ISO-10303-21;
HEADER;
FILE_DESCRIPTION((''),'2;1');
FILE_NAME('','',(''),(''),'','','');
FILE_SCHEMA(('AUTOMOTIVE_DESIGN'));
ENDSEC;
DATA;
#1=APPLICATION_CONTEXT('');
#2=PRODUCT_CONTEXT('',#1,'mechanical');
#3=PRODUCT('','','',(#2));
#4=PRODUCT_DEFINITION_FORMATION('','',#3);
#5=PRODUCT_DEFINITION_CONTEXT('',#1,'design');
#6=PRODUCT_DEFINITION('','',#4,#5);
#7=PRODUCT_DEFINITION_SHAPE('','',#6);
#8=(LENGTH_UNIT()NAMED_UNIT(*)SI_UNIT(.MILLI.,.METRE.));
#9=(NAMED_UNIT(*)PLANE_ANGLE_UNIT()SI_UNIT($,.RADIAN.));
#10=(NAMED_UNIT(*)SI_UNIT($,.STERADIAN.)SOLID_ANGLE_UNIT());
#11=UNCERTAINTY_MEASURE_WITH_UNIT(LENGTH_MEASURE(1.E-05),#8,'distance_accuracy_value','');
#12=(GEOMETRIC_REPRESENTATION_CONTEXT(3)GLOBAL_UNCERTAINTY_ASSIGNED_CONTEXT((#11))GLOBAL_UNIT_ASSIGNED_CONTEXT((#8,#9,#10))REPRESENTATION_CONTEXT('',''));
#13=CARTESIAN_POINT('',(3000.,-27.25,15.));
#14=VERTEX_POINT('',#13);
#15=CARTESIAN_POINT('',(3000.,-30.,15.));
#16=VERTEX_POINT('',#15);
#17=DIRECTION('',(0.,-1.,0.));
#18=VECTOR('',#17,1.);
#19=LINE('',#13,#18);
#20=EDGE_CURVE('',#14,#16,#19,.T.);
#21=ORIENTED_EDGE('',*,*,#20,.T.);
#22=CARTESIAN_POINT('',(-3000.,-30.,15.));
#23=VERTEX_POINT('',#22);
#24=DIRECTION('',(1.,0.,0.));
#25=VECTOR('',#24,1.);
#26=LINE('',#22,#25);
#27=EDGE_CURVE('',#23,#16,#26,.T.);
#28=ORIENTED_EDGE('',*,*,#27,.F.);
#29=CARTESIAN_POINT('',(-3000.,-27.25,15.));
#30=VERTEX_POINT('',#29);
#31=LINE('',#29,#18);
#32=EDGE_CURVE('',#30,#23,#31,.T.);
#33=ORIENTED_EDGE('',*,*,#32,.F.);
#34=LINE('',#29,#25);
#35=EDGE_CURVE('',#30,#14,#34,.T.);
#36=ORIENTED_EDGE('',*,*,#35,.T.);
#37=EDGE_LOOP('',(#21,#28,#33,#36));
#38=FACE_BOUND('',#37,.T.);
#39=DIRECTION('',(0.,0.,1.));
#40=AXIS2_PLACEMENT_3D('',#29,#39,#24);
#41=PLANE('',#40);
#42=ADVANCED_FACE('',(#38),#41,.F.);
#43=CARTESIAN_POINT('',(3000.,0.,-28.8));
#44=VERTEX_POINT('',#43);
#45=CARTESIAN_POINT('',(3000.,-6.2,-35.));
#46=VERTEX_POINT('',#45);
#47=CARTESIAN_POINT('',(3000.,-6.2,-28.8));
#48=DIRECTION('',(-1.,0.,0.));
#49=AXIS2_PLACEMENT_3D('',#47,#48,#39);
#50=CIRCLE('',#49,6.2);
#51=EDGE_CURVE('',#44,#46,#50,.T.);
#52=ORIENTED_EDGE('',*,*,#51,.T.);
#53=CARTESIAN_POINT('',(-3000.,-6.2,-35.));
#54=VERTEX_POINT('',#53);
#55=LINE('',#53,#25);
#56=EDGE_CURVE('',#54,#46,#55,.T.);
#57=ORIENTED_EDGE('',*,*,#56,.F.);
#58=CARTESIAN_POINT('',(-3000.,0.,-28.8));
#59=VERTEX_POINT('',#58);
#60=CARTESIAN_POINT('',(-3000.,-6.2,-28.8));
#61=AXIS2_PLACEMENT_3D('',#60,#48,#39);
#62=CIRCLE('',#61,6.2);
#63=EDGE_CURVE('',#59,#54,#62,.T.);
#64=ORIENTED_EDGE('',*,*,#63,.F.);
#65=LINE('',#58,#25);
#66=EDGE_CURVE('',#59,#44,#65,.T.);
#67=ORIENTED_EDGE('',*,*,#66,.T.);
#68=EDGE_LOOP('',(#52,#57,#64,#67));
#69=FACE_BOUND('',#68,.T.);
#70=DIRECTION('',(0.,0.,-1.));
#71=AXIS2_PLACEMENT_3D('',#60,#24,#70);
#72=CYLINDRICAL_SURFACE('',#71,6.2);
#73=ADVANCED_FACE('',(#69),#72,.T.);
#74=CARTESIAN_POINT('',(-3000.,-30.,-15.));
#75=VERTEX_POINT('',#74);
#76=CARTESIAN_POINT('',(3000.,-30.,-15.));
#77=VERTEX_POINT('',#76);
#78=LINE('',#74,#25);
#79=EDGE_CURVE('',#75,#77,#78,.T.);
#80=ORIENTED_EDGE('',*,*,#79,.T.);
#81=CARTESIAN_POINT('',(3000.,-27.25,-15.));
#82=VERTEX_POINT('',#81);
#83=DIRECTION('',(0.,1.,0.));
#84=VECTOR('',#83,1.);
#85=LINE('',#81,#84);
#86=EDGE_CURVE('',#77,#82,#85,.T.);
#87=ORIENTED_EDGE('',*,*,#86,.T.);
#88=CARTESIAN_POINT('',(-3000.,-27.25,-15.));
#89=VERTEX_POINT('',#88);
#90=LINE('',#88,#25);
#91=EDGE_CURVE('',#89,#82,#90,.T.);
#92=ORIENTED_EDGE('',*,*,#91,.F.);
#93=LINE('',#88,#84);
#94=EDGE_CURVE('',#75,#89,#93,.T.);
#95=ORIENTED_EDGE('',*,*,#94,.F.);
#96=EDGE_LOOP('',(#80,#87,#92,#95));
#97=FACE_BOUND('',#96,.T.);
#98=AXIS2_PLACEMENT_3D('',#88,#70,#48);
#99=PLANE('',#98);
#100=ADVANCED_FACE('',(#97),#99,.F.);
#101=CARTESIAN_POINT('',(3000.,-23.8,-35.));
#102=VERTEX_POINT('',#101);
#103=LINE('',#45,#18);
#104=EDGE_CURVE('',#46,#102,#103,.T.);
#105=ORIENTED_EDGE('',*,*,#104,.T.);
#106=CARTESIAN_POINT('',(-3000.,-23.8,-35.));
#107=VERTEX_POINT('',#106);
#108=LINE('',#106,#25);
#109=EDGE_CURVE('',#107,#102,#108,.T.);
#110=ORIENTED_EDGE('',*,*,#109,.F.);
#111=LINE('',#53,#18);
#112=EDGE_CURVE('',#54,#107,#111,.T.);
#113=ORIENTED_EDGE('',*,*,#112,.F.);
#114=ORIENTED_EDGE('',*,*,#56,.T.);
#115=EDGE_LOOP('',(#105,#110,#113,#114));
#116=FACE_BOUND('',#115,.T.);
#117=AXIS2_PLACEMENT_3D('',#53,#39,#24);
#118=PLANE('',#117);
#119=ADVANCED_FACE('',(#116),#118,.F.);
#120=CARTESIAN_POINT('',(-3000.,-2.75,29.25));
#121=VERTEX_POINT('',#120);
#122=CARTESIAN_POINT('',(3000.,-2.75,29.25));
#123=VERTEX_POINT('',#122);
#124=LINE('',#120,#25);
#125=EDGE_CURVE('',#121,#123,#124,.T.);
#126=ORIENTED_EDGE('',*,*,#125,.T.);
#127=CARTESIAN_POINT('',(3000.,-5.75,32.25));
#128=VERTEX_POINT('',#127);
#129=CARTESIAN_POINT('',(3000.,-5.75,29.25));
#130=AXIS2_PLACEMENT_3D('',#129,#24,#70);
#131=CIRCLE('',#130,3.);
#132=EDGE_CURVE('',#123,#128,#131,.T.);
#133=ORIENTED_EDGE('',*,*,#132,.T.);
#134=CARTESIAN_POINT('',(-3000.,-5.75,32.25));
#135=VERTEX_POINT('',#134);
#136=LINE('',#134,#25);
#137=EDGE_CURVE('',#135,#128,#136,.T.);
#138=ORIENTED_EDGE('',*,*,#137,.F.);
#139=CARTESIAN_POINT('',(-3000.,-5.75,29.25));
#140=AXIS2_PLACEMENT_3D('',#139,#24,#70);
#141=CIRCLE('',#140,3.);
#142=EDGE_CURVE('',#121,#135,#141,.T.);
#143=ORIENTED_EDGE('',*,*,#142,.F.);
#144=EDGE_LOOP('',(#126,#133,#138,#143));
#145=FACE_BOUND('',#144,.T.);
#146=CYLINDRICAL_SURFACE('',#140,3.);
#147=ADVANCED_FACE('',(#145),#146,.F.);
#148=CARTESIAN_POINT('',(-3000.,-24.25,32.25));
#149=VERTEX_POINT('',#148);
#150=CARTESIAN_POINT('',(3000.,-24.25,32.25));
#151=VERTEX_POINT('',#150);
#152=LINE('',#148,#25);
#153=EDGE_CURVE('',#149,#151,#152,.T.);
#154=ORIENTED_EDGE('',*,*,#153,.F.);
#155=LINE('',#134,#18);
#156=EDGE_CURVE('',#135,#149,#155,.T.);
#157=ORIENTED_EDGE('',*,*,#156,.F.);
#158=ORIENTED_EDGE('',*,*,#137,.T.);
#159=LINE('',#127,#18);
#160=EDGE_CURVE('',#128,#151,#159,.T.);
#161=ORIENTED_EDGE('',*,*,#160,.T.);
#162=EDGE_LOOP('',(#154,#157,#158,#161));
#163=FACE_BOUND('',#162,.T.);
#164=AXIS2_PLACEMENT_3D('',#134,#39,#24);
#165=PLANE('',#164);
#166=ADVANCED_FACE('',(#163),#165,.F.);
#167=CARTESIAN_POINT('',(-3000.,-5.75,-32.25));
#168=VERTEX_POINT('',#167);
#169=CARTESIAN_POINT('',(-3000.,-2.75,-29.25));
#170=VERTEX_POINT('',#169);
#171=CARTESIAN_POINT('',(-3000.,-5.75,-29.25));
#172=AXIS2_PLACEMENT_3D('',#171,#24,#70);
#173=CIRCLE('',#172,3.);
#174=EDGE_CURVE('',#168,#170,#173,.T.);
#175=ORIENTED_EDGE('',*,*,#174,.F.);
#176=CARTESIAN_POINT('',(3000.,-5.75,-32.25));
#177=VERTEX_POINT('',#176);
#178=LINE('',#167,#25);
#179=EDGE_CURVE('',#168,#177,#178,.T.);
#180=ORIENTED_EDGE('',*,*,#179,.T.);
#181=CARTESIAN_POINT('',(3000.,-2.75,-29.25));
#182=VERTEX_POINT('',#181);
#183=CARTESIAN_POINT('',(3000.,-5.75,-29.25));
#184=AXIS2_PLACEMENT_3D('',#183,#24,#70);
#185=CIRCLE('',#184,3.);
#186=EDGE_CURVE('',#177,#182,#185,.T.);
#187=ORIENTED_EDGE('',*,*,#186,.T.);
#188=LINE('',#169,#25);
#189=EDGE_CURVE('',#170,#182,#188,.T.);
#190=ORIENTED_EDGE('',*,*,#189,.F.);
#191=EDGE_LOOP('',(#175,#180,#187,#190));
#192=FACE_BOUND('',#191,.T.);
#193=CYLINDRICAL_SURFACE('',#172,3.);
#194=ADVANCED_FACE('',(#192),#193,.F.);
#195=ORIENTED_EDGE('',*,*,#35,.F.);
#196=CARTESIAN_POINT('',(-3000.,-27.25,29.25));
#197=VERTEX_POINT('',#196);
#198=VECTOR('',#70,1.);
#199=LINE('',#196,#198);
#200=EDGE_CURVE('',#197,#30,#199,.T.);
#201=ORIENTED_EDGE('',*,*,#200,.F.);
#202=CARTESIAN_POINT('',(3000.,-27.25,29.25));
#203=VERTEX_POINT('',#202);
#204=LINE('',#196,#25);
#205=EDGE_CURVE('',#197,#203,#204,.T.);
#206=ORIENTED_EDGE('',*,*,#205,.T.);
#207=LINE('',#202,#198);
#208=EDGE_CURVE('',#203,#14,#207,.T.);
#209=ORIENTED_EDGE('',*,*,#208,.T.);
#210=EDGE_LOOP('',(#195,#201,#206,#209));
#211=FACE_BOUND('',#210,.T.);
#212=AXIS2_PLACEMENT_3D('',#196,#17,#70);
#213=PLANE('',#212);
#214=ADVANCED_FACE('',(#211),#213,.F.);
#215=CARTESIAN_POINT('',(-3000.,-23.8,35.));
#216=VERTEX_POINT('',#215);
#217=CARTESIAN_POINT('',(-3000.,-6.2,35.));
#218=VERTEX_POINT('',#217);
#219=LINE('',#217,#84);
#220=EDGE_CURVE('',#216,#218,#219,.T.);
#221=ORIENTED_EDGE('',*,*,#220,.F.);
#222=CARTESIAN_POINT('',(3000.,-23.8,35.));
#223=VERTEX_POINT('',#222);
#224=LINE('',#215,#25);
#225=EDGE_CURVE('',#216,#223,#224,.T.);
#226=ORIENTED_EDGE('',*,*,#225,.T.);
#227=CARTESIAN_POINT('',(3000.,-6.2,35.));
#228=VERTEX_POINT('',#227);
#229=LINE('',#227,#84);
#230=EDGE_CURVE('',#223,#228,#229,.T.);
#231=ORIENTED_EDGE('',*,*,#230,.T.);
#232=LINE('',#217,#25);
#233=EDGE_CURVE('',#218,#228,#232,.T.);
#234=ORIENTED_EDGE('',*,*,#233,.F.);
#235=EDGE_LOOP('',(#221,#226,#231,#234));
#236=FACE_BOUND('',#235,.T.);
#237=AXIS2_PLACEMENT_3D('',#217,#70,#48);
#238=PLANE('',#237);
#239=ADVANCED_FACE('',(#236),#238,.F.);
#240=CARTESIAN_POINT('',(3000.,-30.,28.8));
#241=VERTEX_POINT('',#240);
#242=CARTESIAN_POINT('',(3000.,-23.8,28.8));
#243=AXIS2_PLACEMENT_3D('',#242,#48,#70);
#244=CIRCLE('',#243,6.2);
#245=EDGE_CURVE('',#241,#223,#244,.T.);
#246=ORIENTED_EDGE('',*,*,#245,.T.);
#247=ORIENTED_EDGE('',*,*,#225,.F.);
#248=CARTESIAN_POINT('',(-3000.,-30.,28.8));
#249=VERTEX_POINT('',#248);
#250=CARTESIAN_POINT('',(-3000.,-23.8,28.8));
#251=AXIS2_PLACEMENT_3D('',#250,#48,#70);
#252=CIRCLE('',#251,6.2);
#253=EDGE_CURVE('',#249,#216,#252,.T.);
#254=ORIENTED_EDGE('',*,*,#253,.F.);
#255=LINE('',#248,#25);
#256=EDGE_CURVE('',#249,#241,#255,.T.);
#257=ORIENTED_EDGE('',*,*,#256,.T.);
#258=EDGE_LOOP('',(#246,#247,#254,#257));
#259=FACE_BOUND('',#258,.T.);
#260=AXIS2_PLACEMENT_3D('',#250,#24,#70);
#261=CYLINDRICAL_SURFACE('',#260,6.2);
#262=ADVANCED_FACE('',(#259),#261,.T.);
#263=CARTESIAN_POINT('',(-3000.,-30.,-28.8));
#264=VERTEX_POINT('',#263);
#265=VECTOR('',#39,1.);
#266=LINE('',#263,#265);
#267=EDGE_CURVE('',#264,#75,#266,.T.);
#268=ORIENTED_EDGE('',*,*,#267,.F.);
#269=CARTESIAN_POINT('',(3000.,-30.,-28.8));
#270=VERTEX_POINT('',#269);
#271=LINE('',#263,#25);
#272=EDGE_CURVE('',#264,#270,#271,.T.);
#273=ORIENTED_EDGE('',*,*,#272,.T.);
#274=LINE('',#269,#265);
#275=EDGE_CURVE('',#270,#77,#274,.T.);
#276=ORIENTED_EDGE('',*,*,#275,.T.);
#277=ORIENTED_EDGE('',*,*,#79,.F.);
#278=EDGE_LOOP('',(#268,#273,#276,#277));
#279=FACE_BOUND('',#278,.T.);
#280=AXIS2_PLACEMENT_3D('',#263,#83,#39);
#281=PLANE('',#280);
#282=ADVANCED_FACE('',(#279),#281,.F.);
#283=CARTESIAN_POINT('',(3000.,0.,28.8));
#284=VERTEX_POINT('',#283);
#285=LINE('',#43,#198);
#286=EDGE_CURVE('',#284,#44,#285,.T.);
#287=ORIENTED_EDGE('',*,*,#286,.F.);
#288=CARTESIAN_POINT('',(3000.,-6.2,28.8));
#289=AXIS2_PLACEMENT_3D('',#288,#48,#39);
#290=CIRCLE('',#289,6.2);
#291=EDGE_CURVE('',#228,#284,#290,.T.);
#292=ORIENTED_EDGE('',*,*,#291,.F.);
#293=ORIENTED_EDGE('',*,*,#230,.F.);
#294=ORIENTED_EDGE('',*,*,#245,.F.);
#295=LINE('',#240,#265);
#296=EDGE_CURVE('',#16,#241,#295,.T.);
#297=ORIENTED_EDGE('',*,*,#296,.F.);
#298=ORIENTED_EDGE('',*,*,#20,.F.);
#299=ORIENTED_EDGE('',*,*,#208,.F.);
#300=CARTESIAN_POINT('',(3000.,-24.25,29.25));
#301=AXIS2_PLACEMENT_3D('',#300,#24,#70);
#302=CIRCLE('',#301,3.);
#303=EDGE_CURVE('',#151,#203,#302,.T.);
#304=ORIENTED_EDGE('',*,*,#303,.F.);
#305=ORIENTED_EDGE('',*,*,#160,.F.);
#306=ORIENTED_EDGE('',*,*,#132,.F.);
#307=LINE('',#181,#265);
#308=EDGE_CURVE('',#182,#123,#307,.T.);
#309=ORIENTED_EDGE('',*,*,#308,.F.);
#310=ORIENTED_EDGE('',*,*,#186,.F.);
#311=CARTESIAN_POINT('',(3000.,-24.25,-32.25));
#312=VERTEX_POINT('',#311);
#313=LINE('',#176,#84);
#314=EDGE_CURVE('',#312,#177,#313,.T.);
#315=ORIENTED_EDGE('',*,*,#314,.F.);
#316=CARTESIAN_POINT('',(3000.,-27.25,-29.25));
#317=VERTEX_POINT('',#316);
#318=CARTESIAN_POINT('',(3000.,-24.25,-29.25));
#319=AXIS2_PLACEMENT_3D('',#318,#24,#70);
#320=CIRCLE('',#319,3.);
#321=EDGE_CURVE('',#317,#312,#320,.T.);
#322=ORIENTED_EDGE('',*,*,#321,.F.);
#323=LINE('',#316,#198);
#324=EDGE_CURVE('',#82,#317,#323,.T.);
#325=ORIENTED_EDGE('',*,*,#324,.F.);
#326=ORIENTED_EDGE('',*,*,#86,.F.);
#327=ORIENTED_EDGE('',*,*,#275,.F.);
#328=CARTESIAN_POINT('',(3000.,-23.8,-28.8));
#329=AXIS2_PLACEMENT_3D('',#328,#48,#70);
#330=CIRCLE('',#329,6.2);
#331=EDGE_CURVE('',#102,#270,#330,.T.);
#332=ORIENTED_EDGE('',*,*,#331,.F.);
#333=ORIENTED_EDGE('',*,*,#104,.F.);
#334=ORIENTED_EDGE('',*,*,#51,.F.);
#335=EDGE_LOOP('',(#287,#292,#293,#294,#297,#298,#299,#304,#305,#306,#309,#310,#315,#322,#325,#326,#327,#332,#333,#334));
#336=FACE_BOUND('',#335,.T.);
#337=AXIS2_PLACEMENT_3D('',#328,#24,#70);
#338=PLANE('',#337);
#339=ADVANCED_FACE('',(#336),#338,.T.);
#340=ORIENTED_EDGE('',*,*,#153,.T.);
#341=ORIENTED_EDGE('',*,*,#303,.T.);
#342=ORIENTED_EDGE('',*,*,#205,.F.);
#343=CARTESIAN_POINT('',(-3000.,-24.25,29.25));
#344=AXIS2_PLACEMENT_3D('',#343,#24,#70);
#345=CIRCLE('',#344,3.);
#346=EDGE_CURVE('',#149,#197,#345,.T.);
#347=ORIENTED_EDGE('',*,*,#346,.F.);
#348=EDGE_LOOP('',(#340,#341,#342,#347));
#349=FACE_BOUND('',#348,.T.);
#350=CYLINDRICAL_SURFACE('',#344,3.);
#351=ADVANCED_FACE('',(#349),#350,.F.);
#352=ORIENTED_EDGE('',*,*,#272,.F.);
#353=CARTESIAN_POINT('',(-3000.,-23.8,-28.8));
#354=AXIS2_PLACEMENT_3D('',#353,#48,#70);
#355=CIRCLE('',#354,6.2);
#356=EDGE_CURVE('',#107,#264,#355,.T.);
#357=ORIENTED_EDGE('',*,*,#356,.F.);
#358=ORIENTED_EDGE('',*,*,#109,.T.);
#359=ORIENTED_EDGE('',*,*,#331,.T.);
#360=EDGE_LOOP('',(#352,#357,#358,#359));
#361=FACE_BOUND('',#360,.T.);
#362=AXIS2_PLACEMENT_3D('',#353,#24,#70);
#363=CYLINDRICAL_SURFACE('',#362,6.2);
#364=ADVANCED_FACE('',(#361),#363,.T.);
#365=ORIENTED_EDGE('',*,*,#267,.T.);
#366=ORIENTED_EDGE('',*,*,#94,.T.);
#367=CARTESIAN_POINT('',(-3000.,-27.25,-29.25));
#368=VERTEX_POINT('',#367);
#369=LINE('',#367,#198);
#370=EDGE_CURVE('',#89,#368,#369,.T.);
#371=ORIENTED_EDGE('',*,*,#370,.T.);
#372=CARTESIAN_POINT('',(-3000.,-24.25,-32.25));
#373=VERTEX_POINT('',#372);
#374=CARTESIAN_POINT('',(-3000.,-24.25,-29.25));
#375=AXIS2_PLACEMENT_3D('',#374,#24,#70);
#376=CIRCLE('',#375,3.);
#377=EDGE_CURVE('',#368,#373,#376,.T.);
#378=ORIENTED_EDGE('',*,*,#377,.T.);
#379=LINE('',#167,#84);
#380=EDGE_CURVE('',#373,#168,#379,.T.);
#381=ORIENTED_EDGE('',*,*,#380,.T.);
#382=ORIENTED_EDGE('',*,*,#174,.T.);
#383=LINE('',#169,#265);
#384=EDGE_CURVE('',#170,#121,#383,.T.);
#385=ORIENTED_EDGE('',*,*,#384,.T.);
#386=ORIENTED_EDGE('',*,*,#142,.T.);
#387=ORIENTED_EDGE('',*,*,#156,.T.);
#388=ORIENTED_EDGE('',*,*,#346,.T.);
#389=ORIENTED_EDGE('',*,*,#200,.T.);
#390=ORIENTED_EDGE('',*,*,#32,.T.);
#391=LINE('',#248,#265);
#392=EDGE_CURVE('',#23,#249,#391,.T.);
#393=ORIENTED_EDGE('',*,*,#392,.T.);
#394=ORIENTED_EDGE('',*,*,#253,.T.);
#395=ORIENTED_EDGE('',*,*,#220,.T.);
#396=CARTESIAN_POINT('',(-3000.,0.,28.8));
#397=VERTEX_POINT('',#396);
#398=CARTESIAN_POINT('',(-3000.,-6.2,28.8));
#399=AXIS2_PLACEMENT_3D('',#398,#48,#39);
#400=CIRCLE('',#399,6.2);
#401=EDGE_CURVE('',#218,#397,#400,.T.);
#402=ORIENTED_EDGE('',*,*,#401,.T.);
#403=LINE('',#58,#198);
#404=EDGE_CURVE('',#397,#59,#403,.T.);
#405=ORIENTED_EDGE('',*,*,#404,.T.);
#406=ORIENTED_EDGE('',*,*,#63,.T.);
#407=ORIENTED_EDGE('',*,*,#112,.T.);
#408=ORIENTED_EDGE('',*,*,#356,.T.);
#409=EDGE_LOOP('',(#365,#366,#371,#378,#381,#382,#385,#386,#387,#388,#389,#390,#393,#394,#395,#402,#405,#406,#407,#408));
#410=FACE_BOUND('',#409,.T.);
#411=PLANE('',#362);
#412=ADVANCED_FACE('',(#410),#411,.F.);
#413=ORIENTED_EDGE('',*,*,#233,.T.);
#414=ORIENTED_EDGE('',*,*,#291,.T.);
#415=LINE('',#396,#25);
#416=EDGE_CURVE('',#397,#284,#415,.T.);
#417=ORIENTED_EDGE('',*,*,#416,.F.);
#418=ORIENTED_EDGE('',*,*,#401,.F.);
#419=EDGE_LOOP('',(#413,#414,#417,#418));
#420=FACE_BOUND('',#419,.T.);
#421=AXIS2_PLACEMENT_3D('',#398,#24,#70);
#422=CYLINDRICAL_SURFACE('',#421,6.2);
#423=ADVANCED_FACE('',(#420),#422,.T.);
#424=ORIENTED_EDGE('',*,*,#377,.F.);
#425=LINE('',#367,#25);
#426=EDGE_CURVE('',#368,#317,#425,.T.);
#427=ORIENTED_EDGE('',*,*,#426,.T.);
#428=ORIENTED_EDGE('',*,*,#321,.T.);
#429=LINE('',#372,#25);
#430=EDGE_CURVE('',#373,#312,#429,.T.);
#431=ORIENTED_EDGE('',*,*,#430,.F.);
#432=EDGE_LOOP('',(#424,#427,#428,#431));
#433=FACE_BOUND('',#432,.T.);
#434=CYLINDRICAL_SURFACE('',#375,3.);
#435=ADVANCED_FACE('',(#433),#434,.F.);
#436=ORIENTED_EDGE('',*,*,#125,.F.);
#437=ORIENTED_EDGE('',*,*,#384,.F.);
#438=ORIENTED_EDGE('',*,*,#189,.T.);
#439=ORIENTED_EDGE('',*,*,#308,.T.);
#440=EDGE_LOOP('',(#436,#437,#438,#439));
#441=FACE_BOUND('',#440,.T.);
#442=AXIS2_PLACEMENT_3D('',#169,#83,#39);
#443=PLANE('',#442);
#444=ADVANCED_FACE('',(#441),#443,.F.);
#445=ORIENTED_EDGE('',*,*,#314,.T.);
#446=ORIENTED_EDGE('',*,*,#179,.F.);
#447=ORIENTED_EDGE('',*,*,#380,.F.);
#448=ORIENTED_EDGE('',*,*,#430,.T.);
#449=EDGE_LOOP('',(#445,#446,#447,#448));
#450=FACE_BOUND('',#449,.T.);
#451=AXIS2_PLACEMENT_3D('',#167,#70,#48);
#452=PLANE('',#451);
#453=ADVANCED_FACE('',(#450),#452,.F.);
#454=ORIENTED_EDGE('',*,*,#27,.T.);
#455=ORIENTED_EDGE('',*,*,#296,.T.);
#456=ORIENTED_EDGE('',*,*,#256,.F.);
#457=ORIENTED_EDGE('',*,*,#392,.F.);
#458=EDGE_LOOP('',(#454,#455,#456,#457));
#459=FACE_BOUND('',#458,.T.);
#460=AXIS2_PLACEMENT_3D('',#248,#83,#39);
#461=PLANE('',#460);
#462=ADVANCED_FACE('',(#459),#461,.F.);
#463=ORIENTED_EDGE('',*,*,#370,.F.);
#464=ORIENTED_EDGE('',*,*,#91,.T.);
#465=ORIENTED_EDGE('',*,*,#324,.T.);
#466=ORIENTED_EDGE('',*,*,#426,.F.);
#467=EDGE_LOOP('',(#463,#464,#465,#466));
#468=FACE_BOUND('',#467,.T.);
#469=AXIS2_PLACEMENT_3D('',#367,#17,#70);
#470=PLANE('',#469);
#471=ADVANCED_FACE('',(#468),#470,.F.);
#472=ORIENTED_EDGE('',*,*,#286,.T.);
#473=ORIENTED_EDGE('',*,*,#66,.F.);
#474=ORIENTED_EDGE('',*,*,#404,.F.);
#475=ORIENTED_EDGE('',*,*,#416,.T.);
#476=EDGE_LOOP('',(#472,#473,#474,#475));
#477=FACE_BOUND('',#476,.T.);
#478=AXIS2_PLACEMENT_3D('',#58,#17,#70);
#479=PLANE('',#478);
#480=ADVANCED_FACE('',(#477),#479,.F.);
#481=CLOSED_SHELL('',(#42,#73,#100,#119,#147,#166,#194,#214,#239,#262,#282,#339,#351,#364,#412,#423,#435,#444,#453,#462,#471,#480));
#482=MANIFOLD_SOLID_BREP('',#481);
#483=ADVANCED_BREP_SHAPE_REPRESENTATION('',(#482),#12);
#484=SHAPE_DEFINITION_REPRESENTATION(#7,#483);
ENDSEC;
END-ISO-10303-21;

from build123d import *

# Parameters (mm, degrees)
CANAL_C_3_X_5_1_DEPTH = 6000


with BuildPart() as part:
    # Sketch110 → Canal c 3 X 5(1) (new body)
    with BuildSketch(Plane(origin=(3000, 0, 0), x_dir=(0, -1, 0), z_dir=(-1, 0, 0))):
        with BuildLine():
            Line((0, -28.8), (0, 28.8))
            ThreePointArc((0, 28.8), (1.815937957, 33.184062043), (6.2, 35))
            Line((6.2, 35), (23.8, 35))
            ThreePointArc((23.8, 35), (28.184062043, 33.184062043), (30, 28.8))
            Line((30, 28.8), (30, 15))
            Line((30, 15), (27.25, 15))
            Line((27.25, 15), (27.25, 29.25))
            ThreePointArc((27.25, 29.25), (26.371320344, 31.371320344), (24.25, 32.25))
            Line((24.25, 32.25), (5.75, 32.25))
            ThreePointArc((5.75, 32.25), (3.628679656, 31.371320344), (2.75, 29.25))
            Line((2.75, 29.25), (2.75, -29.25))
            ThreePointArc((2.75, -29.25), (3.628679656, -31.371320344), (5.75, -32.25))
            Line((5.75, -32.25), (24.25, -32.25))
            ThreePointArc((24.25, -32.25), (26.371320344, -31.371320344), (27.25, -29.25))
            Line((27.25, -29.25), (27.25, -15))
            Line((27.25, -15), (30, -15))
            Line((30, -15), (30, -28.8))
            ThreePointArc((30, -28.8), (28.184062043, -33.184062043), (23.8, -35))
            Line((23.8, -35), (6.2, -35))
            ThreePointArc((6.2, -35), (1.815937957, -33.184062043), (0, -28.8))
        make_face()
    extrude(amount=CANAL_C_3_X_5_1_DEPTH)


solid = part.part
